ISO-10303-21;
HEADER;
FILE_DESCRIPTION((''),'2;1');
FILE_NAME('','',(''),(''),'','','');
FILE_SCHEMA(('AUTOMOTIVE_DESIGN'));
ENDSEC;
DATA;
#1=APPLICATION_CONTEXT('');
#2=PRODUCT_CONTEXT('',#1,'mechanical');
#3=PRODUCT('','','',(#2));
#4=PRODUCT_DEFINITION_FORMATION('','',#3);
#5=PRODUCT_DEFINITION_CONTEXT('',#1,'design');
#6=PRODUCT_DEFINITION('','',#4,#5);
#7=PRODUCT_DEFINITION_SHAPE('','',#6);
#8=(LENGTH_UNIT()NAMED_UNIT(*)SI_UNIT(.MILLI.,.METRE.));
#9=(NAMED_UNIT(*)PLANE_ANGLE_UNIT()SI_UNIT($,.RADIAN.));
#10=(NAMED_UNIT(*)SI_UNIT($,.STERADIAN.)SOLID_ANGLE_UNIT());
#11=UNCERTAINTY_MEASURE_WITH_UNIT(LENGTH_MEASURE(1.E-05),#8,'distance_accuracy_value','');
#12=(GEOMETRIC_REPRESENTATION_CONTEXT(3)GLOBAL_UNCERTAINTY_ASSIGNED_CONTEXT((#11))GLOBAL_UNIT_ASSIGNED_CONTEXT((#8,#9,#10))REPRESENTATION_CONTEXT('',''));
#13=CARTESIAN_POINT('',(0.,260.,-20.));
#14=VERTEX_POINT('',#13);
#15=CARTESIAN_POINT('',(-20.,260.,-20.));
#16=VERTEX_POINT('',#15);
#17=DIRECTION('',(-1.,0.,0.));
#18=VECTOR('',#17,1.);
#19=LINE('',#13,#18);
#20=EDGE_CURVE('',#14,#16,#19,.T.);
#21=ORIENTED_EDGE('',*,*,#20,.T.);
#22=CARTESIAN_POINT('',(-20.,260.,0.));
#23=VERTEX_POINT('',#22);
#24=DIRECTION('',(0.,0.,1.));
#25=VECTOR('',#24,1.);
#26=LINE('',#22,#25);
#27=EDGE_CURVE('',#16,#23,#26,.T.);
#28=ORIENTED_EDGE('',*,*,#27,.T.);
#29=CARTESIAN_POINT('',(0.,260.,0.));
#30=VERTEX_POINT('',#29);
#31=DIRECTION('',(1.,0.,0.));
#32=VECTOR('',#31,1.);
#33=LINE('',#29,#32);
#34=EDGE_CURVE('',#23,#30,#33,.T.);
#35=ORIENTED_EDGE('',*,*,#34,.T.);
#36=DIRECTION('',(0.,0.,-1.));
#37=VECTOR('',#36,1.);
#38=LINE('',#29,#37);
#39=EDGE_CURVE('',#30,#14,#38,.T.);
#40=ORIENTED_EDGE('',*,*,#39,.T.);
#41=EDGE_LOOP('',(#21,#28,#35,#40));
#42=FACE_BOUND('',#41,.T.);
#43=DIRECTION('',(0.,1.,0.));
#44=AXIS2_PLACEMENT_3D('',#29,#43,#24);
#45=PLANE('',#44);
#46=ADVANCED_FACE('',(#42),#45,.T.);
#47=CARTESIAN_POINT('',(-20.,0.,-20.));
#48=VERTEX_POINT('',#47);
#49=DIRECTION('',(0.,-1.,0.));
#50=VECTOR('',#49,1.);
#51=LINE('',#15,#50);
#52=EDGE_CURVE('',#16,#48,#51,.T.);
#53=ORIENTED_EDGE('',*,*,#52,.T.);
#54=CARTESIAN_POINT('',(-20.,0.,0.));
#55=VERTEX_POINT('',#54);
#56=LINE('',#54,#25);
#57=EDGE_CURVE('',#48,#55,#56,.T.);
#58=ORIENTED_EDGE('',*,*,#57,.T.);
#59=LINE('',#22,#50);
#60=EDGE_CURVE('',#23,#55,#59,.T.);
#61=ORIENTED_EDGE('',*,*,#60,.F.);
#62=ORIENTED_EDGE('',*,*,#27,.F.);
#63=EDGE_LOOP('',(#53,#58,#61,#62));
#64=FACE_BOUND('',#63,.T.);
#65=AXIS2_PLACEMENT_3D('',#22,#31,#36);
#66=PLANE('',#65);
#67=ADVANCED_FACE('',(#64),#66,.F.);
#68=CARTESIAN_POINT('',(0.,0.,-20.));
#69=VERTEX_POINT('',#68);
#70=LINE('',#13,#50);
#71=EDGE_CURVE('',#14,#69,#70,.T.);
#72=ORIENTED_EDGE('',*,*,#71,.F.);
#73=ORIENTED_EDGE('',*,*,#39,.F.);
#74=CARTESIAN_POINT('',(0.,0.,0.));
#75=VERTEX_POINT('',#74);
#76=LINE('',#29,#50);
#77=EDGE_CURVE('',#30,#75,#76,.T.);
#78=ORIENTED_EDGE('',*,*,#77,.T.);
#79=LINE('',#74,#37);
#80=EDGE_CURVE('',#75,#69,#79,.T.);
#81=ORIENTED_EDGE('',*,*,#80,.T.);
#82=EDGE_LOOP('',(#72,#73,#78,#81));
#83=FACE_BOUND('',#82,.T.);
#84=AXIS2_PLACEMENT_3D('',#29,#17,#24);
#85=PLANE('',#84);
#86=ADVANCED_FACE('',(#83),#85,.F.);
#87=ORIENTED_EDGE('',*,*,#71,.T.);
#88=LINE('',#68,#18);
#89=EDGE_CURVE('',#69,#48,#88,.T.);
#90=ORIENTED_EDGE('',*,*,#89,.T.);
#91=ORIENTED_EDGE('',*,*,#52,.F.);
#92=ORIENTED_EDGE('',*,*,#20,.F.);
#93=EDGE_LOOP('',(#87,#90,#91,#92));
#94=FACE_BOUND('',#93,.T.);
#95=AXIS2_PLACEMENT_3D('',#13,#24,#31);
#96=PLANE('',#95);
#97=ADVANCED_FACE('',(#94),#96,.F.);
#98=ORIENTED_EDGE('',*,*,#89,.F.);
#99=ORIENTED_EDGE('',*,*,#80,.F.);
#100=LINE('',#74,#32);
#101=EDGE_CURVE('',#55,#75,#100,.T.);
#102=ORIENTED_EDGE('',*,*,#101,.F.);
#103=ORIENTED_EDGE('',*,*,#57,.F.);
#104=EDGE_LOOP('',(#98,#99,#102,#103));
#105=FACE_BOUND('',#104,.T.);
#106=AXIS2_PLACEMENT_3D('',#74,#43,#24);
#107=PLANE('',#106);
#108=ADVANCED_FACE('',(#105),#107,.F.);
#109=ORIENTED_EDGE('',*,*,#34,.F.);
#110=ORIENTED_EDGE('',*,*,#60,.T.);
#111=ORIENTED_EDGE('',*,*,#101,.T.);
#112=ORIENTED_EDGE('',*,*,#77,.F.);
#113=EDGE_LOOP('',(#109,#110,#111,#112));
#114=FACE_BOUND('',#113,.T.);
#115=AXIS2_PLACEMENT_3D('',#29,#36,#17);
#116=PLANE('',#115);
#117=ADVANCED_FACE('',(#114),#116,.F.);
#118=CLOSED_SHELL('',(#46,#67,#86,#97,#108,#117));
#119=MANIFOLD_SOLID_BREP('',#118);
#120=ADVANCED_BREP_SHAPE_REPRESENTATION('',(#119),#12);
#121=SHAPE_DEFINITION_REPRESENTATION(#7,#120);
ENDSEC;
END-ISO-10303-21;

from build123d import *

# Parameters (mm, degrees)
ESQUISSE1_W        = 20
ESQUISSE1_H        = 20
BOSS_EXTRU_1_DEPTH = 260


with BuildPart() as part:
    # Esquisse1 → Boss.-Extru.1 (new body)
    with BuildSketch(Plane(origin=(0, 0, 0), x_dir=(1, 0, 0), z_dir=(0, 1, 0))):
        with Locations((-10, 10)):
            Rectangle(ESQUISSE1_W, ESQUISSE1_H)
    extrude(amount=BOSS_EXTRU_1_DEPTH)


solid = part.part
